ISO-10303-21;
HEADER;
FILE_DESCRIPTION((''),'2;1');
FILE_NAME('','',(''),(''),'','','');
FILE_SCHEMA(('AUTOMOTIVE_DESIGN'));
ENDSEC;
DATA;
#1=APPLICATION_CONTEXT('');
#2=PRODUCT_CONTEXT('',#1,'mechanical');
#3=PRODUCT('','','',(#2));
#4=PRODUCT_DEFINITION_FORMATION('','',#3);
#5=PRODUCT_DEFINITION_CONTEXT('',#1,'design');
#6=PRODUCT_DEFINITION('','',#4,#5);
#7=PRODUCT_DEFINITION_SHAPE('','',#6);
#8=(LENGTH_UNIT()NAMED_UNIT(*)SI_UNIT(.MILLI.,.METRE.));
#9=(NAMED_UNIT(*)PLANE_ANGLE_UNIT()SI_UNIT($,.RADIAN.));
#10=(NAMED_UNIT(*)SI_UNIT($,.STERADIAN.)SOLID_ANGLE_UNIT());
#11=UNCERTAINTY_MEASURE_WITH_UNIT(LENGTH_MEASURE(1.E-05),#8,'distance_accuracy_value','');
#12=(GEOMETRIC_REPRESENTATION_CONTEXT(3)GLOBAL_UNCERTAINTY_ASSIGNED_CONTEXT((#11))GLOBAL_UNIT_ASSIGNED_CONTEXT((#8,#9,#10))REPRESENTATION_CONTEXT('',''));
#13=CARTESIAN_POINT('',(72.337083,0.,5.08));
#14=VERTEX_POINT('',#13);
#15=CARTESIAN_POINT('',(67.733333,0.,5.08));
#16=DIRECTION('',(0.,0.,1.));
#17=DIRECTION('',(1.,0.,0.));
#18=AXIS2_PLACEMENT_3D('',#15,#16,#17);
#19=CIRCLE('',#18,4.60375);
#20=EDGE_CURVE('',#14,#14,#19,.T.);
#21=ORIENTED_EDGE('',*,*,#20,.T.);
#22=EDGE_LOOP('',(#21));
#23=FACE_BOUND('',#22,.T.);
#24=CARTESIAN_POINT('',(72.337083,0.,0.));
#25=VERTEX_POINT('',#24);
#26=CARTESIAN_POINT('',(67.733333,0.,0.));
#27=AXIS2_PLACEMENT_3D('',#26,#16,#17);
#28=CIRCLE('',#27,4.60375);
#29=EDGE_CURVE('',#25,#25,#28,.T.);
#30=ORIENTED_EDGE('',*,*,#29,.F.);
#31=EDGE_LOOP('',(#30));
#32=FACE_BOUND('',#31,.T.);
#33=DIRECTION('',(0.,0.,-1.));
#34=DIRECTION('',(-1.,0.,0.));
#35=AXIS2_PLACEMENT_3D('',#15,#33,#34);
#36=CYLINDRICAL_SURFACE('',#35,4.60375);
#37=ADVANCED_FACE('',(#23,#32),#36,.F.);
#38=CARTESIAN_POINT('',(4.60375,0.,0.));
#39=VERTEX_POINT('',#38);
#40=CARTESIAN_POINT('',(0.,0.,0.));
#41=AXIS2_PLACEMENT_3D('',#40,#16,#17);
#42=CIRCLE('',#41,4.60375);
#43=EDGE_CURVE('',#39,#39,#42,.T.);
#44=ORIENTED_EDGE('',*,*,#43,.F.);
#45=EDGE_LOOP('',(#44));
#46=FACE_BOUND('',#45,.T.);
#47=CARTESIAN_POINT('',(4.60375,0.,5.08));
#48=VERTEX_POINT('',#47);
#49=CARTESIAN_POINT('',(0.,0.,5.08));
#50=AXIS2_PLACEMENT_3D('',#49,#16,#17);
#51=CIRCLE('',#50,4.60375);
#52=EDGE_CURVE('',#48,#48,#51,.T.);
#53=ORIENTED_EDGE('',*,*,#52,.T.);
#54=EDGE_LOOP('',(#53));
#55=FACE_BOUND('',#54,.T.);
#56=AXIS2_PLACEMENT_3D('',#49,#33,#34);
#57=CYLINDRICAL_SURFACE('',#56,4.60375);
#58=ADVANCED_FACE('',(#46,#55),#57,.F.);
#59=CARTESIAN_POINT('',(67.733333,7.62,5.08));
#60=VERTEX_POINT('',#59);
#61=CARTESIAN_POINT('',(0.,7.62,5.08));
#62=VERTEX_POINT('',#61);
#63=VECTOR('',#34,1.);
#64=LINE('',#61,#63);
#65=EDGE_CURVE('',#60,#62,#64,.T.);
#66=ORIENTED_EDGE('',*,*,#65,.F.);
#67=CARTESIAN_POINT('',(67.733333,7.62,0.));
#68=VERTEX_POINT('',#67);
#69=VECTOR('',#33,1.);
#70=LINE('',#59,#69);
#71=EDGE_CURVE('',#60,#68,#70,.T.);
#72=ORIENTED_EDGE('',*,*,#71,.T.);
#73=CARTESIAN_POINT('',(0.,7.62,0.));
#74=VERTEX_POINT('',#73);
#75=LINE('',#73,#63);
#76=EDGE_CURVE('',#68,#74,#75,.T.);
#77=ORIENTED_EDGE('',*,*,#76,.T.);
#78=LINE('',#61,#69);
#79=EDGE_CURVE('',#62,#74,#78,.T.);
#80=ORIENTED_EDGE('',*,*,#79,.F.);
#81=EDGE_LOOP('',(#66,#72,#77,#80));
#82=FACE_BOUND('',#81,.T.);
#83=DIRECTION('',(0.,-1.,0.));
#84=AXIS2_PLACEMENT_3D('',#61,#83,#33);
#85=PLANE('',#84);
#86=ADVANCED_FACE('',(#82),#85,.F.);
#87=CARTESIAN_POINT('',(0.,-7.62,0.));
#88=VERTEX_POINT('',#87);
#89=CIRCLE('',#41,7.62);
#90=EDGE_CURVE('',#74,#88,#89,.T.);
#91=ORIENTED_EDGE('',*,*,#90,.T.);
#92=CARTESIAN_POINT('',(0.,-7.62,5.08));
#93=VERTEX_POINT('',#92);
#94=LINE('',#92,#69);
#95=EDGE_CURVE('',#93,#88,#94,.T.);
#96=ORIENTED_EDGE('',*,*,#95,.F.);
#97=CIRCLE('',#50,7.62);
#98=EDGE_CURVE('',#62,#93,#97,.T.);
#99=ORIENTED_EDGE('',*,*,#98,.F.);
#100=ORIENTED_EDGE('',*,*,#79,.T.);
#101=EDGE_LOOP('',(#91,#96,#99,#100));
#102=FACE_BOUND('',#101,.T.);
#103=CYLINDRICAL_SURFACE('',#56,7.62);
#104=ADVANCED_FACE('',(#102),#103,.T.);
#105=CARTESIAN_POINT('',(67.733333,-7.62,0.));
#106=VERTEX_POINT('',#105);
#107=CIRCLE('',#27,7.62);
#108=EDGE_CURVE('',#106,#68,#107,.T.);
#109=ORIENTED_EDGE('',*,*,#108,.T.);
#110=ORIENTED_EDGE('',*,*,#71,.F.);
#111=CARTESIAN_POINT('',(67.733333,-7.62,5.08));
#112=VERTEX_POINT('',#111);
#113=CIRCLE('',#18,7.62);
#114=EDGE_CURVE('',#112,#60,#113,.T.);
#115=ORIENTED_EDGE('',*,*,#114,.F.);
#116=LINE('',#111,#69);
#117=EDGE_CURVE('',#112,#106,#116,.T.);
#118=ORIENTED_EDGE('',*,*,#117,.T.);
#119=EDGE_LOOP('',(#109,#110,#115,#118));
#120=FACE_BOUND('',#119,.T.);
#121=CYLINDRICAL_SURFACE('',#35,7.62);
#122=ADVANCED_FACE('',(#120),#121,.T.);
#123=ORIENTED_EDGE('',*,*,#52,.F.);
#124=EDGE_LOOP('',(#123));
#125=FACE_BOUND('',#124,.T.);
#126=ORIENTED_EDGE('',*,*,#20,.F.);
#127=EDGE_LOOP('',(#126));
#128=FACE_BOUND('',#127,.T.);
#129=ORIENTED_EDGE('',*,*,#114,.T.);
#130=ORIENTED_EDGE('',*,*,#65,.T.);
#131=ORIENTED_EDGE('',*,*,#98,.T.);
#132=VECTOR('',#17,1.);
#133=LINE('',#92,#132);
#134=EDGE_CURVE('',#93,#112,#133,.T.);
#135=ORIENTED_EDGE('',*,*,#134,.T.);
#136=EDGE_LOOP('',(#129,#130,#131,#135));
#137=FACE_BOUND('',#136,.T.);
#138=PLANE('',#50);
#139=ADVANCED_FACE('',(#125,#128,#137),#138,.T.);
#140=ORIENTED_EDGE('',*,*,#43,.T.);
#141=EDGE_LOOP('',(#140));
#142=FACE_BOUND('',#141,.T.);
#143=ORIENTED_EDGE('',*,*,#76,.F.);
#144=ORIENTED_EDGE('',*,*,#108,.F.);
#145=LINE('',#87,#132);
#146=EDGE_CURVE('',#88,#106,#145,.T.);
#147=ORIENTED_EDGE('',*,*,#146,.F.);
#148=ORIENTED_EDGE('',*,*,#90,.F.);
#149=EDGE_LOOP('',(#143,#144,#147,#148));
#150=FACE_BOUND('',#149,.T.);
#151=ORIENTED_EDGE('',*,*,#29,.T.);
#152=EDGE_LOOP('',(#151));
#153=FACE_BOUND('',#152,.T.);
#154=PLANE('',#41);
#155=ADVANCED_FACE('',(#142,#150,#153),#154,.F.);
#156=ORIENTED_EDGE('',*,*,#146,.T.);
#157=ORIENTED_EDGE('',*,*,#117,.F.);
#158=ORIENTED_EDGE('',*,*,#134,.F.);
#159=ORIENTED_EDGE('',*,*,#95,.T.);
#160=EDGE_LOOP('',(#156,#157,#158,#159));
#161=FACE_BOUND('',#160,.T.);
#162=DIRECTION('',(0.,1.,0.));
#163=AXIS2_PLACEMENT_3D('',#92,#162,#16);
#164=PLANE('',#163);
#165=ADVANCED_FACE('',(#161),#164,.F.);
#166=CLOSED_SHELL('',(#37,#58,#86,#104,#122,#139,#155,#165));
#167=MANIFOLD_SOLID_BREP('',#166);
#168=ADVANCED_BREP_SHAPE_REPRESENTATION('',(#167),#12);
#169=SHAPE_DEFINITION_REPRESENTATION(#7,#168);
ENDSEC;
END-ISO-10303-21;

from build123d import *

# Parameters (mm, degrees)
SKETCH1_R           = 4.60375
BOSS_EXTRUDE1_DEPTH = 5.08


with BuildPart() as part:
    # Sketch1 → Boss-Extrude1 (new body)
    with BuildSketch(Plane.XY):
        with BuildLine():
            Line((0, 7.62), (67.733333333, 7.62))
            ThreePointArc((67.733333333, 7.62), (75.353333333, 0), (67.733333333, -7.62))
            Line((67.733333333, -7.62), (0, -7.62))
            ThreePointArc((0, -7.62), (-7.62, 0), (0, 7.62))
        make_face()
        Circle(SKETCH1_R, mode=Mode.SUBTRACT)
        with Locations((67.733333333, 0)):
            Circle(SKETCH1_R, mode=Mode.SUBTRACT)
    extrude(amount=BOSS_EXTRUDE1_DEPTH)


solid = part.part
